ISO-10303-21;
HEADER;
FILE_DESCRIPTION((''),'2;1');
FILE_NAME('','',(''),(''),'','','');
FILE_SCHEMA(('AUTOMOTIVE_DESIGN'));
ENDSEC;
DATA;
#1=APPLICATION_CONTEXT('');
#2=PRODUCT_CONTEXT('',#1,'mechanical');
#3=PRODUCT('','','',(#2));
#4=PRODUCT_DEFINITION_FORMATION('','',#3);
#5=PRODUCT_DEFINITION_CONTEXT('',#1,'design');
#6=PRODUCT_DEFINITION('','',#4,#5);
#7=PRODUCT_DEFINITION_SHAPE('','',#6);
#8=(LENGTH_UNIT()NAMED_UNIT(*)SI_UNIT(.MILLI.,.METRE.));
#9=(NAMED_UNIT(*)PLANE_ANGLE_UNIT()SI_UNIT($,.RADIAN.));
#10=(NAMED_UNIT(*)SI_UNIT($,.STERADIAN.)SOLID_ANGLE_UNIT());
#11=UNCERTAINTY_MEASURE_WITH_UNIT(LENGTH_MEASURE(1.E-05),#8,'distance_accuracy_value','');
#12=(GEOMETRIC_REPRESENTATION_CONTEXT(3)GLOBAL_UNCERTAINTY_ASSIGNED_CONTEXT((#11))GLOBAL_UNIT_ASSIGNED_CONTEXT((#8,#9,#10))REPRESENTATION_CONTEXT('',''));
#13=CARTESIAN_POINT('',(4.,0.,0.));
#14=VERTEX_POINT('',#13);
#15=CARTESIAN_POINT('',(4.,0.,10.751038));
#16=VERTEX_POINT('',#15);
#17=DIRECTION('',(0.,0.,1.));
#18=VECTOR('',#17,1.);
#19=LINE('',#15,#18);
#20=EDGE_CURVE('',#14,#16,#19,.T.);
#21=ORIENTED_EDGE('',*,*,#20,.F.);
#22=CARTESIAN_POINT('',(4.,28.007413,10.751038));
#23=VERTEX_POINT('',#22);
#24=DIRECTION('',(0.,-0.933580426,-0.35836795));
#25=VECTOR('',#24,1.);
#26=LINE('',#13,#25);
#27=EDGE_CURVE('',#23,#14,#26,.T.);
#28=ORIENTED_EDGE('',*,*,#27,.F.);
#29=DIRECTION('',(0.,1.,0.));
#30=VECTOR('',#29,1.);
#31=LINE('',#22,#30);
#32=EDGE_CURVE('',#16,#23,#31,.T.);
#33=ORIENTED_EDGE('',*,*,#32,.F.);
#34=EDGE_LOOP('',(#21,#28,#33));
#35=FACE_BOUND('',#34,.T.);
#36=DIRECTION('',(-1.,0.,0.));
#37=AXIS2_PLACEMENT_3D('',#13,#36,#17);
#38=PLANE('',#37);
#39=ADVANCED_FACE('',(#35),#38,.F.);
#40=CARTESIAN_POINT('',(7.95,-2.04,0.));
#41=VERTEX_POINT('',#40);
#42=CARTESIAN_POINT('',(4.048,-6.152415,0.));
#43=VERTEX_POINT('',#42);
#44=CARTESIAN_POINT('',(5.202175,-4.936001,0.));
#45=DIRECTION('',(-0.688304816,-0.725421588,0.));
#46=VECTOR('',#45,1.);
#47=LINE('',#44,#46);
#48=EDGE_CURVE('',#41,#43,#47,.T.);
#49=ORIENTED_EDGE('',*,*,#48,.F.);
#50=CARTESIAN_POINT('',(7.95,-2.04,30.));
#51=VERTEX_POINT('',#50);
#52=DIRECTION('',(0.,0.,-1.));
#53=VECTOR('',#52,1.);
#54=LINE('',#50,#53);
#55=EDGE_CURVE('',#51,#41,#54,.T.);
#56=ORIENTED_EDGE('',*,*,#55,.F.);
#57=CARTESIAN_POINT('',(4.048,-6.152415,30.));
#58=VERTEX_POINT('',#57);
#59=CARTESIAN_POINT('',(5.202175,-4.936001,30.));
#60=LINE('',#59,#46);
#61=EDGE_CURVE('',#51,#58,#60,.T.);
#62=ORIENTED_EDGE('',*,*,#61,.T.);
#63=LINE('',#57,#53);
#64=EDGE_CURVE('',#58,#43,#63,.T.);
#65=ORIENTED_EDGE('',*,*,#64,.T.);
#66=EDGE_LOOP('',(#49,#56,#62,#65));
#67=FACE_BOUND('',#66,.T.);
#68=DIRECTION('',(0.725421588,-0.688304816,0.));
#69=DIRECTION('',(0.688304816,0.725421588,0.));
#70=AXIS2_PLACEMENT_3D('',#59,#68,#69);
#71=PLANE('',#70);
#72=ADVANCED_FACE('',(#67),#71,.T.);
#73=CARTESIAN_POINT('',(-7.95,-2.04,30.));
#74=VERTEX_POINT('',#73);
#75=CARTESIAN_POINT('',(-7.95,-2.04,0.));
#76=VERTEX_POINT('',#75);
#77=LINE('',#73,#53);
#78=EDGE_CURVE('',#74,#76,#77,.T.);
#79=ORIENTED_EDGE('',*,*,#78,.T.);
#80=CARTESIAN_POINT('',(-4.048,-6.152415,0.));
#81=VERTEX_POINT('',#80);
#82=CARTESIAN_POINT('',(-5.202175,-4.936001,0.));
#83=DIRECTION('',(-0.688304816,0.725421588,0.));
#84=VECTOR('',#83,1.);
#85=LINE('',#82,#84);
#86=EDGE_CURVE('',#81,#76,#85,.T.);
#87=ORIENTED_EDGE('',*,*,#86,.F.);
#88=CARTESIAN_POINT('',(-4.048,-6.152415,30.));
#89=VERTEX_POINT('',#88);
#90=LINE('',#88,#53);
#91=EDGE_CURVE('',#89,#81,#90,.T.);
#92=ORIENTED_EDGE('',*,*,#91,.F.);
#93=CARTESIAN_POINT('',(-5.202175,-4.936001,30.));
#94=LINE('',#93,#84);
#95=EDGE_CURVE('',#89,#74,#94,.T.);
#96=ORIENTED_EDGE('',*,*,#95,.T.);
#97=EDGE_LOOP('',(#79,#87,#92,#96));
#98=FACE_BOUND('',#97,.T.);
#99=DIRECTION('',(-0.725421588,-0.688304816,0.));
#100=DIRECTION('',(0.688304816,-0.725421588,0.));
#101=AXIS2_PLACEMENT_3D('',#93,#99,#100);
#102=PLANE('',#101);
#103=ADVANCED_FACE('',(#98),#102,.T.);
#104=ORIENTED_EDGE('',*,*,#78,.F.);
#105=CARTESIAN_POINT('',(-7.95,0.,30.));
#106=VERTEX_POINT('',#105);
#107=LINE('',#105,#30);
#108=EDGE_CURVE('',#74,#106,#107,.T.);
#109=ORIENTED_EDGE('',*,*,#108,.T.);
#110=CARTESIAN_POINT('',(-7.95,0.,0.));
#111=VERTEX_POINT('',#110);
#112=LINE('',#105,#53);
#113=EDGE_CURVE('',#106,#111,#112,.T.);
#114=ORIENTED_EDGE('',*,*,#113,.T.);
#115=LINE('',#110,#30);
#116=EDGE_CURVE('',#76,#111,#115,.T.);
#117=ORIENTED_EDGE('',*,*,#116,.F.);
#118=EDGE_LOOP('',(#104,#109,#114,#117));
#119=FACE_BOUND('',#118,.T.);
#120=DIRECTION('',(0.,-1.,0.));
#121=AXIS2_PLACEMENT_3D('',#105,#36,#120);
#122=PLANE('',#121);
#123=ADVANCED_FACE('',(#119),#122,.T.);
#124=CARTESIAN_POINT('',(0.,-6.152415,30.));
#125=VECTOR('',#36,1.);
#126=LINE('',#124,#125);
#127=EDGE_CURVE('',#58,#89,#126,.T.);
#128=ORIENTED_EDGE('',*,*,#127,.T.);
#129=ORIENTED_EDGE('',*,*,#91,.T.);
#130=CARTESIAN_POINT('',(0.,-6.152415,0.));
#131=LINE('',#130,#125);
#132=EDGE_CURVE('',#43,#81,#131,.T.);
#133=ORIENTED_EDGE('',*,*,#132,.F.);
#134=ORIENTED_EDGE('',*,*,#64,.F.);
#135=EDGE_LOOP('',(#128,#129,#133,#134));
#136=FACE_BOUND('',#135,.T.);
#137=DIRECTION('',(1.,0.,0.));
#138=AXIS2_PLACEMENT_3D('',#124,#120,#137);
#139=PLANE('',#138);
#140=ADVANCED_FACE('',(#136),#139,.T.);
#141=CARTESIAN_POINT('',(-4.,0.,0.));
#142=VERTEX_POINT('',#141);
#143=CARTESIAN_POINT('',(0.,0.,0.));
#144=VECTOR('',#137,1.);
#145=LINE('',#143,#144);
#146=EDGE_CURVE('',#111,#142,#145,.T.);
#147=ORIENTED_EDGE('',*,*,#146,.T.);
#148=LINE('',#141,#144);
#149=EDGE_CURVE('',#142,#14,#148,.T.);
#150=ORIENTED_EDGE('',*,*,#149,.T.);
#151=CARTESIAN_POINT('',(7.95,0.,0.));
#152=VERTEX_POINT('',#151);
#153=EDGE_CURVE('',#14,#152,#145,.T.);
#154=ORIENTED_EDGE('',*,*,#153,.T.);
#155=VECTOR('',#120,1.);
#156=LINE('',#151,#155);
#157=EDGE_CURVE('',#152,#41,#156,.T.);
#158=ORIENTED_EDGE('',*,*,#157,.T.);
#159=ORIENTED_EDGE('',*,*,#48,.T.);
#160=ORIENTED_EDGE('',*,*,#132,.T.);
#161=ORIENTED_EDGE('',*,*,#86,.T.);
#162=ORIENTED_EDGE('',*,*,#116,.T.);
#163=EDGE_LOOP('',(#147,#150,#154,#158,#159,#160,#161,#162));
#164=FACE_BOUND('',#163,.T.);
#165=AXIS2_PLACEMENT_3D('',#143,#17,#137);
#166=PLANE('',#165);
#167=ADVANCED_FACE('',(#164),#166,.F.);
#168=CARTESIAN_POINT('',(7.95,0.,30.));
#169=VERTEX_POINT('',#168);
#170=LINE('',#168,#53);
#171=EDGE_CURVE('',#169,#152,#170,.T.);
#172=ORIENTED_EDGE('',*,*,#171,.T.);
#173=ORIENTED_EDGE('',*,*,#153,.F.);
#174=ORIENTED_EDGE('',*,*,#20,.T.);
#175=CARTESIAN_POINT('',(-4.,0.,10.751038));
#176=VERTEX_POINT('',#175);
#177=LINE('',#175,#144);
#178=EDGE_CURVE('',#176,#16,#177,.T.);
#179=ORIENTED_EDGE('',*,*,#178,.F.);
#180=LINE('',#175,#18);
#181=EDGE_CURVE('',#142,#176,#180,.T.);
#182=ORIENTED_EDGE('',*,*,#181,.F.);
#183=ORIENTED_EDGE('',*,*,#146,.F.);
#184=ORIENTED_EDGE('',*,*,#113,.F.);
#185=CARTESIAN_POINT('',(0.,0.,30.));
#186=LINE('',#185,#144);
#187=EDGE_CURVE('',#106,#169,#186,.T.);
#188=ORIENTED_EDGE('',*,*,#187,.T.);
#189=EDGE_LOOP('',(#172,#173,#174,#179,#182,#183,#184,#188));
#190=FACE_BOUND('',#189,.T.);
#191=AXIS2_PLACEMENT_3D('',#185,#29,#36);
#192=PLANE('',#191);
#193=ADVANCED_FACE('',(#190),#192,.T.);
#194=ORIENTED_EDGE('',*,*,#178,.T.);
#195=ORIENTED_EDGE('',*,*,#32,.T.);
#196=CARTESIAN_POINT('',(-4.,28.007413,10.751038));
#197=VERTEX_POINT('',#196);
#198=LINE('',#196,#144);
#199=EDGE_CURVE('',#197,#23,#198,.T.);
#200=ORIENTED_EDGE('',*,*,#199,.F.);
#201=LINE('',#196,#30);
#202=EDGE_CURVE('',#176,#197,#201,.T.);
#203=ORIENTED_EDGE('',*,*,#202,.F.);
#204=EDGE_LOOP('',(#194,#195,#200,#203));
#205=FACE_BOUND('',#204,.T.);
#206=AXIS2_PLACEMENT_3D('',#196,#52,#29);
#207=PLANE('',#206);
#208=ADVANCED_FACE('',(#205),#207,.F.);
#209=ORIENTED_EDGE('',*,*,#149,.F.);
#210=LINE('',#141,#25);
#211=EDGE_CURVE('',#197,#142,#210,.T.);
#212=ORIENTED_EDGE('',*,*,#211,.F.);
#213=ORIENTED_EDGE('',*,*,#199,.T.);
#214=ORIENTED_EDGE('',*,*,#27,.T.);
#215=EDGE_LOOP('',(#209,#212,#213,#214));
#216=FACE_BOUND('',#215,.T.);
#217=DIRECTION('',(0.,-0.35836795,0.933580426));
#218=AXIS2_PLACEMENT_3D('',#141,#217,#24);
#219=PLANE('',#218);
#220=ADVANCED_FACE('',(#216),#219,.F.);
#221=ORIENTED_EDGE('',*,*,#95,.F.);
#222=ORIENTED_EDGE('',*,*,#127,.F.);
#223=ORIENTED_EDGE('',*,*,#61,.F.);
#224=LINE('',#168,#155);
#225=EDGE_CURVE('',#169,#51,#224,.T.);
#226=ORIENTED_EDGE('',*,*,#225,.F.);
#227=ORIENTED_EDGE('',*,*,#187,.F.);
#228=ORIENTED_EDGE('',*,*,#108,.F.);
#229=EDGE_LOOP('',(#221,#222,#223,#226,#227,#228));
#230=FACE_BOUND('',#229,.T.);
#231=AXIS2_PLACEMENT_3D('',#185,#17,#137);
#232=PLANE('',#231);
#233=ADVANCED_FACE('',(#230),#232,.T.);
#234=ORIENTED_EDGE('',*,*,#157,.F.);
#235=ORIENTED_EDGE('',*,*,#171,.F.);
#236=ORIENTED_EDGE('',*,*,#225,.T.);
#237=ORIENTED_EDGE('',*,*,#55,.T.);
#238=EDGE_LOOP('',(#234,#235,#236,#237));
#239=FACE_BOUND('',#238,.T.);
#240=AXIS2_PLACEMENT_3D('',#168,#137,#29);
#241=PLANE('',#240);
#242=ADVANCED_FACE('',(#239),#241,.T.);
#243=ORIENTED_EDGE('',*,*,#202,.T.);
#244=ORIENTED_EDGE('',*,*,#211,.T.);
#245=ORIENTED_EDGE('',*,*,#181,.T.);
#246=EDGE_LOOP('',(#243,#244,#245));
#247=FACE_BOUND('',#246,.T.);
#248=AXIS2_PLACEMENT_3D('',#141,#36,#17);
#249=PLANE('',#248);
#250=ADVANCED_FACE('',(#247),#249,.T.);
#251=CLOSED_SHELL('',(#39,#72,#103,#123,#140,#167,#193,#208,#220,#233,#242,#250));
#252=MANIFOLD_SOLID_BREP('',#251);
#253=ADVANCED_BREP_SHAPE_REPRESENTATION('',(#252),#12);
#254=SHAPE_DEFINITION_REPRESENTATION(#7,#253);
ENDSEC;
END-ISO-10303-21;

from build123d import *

# Parameters (mm, degrees)
BOSS_EXTRUDE1_DEPTH = 30
BOSS_EXTRUDE3_DEPTH = 4


with BuildPart() as part:
    # Sketch1 → Boss-Extrude1 (new body)
    with BuildSketch(Plane.XY):
        Polygon((7.95, 0), (7.95, -2.04), (4.048, -6.152414984), (-4.048, -6.152414984), (-7.95, -2.04), (-7.95, 0), align=None)
    extrude(amount=BOSS_EXTRUDE1_DEPTH)

    # Sketch2 → Boss-Extrude3 (add, symmetric)
    with BuildSketch(Plane.ZY):
        Polygon((0, 0), (10.751038486, 28.007412795), (10.751038486, 0), align=None)
    extrude(amount=BOSS_EXTRUDE3_DEPTH, both=True)


solid = part.part
